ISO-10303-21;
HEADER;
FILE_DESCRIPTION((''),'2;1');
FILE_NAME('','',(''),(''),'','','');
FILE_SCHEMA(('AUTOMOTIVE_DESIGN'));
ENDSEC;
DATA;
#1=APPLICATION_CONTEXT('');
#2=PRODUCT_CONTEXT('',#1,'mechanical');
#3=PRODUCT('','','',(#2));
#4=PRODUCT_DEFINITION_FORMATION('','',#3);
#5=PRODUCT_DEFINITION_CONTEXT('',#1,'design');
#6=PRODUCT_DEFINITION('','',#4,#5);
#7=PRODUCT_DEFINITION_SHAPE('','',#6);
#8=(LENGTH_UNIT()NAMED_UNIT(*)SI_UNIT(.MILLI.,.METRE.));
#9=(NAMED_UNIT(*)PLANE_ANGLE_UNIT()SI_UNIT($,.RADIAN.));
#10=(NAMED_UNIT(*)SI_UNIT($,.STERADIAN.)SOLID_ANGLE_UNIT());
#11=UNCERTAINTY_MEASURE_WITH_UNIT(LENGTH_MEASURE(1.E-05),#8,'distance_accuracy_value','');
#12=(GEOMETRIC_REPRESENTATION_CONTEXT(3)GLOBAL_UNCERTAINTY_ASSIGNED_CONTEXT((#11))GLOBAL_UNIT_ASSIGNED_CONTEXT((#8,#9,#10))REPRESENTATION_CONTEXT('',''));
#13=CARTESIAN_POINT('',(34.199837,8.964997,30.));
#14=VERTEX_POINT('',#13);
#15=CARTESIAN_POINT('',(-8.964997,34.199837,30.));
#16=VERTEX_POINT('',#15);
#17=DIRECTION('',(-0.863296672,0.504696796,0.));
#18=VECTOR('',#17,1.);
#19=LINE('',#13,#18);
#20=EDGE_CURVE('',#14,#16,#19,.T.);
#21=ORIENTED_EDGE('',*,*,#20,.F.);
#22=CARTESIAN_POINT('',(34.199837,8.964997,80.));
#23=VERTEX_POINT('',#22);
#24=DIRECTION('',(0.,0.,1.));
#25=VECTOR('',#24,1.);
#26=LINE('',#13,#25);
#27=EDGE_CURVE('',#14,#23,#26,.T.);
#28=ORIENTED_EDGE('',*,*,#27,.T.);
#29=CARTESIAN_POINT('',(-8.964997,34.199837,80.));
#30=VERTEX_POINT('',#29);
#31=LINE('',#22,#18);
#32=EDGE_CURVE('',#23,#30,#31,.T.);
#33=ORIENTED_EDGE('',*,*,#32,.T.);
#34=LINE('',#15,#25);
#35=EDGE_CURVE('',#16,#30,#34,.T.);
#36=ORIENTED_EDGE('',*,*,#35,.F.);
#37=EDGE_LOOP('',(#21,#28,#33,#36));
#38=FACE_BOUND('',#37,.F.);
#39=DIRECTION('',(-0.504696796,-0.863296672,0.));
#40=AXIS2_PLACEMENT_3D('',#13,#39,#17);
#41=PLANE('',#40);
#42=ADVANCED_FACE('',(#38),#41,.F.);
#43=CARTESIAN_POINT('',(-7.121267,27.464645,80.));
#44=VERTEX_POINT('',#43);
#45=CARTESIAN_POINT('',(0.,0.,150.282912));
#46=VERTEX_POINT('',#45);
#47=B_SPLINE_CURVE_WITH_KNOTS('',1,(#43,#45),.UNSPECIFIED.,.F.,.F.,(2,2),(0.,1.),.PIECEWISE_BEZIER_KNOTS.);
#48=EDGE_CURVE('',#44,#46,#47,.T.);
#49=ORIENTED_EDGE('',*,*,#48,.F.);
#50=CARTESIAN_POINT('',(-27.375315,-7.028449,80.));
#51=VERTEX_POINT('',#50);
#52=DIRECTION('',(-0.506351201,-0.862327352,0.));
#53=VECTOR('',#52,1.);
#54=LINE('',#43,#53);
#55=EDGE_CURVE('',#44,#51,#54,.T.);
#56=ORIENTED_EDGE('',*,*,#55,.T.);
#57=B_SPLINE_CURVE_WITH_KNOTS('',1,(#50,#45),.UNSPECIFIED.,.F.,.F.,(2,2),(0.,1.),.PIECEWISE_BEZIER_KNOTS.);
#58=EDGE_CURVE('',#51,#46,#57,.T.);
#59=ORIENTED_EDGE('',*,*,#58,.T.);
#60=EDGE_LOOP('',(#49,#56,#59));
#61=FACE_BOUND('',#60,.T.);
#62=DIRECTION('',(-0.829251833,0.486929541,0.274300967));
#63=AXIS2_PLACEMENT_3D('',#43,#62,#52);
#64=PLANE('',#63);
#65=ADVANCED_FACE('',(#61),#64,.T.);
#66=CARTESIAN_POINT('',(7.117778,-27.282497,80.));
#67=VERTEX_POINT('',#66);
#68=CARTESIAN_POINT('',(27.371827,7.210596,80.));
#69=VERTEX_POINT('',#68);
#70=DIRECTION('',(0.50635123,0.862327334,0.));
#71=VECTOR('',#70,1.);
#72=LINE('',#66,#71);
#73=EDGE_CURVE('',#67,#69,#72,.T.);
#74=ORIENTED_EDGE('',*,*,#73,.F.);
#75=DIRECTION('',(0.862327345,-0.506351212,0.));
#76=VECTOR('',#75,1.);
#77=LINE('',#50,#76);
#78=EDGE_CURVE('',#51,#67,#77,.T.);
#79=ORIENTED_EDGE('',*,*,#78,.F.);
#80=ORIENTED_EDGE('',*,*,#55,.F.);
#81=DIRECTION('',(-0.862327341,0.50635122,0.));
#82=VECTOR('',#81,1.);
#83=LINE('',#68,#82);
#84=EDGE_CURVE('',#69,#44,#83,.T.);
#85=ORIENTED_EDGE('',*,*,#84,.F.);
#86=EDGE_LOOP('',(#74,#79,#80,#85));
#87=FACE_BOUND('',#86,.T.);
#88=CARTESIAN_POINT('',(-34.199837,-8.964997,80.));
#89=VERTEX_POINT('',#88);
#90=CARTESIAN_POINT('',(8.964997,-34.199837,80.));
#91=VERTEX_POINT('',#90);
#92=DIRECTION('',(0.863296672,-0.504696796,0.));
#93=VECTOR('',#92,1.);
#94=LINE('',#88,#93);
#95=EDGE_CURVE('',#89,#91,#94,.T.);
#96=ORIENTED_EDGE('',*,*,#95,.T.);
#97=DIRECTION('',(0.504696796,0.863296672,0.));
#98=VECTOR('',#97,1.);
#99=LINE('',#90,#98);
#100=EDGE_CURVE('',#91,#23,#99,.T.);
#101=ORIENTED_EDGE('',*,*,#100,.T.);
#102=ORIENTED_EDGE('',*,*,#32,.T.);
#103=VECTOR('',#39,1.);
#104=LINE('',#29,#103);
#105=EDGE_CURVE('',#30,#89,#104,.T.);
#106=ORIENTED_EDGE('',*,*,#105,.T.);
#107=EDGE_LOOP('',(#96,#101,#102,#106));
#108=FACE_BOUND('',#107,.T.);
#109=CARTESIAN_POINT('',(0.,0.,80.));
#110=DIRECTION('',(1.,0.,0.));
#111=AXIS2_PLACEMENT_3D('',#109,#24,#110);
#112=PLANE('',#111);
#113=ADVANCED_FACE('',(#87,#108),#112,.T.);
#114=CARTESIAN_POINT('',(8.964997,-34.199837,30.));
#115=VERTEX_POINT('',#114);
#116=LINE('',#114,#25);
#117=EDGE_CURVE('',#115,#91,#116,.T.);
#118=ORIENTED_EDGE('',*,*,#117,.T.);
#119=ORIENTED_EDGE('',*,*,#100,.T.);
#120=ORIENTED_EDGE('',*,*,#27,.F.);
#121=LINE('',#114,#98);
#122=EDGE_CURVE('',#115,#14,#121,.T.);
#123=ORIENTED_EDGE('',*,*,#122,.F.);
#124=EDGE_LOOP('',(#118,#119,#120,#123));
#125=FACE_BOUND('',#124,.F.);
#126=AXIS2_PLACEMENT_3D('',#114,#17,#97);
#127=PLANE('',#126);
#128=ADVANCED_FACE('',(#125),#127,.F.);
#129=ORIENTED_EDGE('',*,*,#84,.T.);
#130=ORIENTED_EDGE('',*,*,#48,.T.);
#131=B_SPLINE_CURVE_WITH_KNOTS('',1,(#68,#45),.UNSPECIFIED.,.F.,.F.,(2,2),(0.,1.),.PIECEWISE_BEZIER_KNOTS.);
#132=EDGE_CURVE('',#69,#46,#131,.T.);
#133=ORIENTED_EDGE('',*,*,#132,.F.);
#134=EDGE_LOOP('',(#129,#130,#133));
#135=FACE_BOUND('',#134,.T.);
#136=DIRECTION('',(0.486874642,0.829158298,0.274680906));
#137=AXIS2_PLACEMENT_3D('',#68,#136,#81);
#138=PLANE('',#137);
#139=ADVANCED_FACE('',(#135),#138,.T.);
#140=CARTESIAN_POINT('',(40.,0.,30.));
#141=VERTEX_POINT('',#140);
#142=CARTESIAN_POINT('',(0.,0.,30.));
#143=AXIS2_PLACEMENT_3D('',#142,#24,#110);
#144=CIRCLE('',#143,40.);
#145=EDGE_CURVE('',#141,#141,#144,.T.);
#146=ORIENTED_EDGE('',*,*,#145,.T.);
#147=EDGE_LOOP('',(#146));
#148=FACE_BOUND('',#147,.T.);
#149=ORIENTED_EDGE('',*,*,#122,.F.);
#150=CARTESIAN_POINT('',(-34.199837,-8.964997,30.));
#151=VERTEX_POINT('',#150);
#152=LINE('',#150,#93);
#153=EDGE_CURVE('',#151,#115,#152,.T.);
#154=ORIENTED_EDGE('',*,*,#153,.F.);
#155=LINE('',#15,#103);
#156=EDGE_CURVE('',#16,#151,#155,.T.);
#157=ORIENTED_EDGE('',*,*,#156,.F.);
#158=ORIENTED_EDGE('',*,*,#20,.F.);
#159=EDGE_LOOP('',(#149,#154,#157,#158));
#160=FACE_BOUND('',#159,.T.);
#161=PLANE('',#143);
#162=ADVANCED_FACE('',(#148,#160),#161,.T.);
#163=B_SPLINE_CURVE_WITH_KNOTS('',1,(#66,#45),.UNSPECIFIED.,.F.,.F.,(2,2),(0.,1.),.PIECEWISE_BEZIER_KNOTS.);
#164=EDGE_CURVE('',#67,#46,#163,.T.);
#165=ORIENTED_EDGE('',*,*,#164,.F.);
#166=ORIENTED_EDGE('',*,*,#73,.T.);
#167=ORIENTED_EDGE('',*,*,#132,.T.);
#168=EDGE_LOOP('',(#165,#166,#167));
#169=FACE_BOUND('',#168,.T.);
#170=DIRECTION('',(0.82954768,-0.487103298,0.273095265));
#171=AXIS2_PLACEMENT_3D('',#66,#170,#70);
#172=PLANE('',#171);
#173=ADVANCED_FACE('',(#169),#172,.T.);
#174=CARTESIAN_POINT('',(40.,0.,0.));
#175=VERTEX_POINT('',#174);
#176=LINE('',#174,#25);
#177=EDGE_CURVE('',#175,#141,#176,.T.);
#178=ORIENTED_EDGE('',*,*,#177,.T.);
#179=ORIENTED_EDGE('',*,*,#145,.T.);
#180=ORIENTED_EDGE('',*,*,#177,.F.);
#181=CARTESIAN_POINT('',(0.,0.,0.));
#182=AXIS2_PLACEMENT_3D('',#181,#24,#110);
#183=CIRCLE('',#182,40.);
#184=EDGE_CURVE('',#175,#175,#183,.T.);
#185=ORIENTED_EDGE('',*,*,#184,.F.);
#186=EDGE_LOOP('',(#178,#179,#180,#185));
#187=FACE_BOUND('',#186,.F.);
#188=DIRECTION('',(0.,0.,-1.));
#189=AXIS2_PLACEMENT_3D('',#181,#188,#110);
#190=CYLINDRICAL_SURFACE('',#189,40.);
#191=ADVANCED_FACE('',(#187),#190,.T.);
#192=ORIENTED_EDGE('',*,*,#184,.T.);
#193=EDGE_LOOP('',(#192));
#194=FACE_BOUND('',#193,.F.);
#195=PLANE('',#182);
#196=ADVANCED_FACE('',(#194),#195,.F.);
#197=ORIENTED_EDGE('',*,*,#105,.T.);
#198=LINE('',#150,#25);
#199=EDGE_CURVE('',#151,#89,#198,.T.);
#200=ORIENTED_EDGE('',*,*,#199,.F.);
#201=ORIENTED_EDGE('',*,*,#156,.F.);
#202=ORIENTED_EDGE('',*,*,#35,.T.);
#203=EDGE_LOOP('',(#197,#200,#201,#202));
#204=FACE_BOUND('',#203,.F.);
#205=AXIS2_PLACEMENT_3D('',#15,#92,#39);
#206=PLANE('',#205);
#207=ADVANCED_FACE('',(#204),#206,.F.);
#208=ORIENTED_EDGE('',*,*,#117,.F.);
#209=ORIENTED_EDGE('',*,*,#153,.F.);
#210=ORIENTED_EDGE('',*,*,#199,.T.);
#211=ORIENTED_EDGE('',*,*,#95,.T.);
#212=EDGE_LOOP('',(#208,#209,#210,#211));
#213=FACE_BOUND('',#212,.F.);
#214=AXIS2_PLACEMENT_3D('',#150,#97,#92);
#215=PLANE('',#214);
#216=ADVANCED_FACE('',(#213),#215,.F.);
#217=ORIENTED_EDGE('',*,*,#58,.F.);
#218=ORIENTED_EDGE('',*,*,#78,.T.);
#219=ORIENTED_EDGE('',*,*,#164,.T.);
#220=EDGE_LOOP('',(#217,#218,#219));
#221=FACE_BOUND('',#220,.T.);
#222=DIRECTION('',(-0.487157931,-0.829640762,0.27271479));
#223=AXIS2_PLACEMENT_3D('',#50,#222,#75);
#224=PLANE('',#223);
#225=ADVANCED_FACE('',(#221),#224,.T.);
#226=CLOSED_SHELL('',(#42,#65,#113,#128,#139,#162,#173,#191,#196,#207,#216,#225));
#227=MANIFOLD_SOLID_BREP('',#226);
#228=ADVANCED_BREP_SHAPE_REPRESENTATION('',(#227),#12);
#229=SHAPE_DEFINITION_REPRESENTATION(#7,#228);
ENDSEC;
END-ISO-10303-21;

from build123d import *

# Parameters (mm, degrees)
F0_R     = 40
F1_DEPTH = 30
F3_DEPTH = 50


with BuildPart() as f1:
    # F0 (on Top) → F1 (new body)
    with BuildSketch(Plane.XY):
        Circle(F0_R)
    extrude(amount=F1_DEPTH)

    # F2 (on face) → F3 (join)
    with BuildSketch(Plane.XY.offset(30)):
        Polygon((34.199837, 8.964997), (-8.964997, 34.199837), (-34.199837, -8.964997), (8.964997, -34.199837), align=None)
    extrude(amount=F3_DEPTH)

    # F4 (on face) → F6 section 0
    with BuildSketch(Plane.XY.offset(80), mode=Mode.PRIVATE) as f6_s0:
        Polygon((-7.121267, 27.464645), (-27.375315, -7.028449), (7.117778, -27.282497), (27.371827, 7.210596), align=None)
    loft([f6_s0.sketch, Vertex(0, 0, 150.282912)])


solid = f1.part
